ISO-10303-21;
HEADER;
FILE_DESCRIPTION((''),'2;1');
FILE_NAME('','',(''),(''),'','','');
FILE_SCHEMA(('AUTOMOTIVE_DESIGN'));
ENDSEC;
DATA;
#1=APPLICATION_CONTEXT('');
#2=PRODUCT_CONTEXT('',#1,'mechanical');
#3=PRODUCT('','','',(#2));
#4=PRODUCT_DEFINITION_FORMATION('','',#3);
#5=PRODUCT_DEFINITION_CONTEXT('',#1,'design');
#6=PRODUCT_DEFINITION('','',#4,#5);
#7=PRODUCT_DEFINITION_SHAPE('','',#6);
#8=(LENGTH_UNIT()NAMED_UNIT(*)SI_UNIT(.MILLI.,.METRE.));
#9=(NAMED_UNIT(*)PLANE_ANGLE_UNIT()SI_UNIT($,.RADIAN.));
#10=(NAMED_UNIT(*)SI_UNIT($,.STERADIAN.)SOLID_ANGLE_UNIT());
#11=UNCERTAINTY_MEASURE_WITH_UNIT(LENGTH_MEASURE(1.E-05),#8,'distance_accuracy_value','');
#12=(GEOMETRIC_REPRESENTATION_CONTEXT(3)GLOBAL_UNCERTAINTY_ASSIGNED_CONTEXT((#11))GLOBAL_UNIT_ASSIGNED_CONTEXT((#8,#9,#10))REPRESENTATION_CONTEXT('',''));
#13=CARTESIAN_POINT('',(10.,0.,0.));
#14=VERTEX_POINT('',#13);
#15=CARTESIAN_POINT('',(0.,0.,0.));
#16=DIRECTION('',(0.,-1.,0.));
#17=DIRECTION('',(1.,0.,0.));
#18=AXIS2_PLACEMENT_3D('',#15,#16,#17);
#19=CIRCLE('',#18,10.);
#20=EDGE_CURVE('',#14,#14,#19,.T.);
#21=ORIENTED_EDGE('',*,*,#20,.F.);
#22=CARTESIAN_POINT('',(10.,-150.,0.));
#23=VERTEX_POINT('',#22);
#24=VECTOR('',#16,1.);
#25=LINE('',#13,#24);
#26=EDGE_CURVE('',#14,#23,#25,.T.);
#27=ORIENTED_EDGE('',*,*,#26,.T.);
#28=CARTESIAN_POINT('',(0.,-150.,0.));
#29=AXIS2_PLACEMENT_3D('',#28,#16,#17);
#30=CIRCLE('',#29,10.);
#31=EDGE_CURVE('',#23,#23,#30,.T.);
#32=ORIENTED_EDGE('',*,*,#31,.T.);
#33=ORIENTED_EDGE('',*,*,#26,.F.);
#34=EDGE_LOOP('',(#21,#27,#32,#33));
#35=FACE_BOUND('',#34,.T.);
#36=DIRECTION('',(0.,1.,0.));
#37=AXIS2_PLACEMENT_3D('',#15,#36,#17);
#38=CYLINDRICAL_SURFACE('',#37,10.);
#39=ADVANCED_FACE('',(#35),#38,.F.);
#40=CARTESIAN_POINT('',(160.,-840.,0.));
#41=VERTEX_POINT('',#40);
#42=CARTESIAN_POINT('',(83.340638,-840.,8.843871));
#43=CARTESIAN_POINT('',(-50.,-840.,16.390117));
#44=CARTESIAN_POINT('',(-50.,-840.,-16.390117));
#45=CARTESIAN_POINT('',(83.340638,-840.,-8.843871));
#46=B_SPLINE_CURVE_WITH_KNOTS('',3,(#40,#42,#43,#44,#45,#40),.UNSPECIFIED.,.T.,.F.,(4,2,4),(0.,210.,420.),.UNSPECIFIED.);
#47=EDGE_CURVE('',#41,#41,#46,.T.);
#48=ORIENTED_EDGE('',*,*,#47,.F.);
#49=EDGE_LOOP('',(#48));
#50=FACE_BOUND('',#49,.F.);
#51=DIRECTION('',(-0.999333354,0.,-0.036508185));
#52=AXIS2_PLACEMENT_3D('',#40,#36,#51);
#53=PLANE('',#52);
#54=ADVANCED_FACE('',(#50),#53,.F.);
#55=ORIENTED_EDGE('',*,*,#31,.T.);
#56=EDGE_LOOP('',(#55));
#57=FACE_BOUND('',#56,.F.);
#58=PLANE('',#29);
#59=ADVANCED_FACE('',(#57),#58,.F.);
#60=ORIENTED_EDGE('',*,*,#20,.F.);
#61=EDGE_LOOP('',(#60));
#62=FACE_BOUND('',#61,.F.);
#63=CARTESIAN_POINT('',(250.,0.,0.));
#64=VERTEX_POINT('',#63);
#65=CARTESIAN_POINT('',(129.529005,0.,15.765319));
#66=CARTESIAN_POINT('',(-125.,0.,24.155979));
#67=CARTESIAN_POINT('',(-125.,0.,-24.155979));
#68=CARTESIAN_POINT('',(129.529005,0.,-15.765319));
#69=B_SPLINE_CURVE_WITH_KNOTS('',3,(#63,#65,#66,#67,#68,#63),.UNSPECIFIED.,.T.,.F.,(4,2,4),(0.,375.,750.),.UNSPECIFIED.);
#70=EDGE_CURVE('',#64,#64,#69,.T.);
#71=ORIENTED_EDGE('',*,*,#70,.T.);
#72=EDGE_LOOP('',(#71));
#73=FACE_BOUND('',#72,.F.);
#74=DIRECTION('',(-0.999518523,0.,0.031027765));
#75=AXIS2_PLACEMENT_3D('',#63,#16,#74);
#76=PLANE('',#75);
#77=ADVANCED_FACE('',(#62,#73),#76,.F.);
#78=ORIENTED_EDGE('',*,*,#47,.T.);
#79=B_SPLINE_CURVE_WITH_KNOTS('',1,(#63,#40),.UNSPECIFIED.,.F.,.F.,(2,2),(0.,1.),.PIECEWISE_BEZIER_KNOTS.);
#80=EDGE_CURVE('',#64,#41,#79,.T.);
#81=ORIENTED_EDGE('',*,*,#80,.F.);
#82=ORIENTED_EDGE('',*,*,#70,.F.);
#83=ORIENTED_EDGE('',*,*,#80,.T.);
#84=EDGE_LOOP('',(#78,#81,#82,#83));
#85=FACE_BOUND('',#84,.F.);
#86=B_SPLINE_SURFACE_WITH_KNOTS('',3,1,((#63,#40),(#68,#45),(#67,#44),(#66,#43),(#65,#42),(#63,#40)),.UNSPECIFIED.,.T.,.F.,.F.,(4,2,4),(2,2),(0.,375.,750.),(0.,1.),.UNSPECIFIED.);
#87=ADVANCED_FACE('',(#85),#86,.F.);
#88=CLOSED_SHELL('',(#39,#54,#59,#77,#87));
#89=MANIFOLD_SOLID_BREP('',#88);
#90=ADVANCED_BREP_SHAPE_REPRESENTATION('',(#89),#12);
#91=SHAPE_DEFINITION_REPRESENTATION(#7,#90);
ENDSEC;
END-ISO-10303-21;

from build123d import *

# Parameters (mm, degrees)
F4_R     = 10
F5_DEPTH = 150


with BuildPart() as f3:
    # F0 (on Front) → F3 section 0
    with BuildSketch(Plane.XZ):
        with BuildLine():
            add(Edge.make_bspline(
                [(-125, 0), (-125, 24.155979), (129.529005, 15.765319), (250, 0)],
                knots=[0, 0, 0, 0, 375, 375, 375, 375], degree=3))
            add(Edge.make_bspline(
                [(-125, 0), (-125, -24.155979), (129.529005, -15.765319), (250, 0)],
                knots=[0, 0, 0, 0, 375, 375, 375, 375], degree=3))
        make_face()
    # F2 (on offset) → F3 section 1
    with BuildSketch(Plane.XZ.offset(840)):
        with BuildLine():
            add(Edge.make_bspline(
                [(-50, 0), (-50, 16.390117), (83.340638, 8.843871), (160, 0)],
                knots=[0, 0, 0, 0, 210, 210, 210, 210], degree=3))
            add(Edge.make_bspline(
                [(-50, 0), (-50, -16.390117), (83.340638, -8.843871), (160, 0)],
                knots=[0, 0, 0, 0, 210, 210, 210, 210], degree=3))
        make_face()
    loft()

    # F4 (on face) → F5 (cut)
    with BuildSketch(Plane.XZ):
        Circle(F4_R)
    extrude(amount=F5_DEPTH, mode=Mode.SUBTRACT)


solid = f3.part
